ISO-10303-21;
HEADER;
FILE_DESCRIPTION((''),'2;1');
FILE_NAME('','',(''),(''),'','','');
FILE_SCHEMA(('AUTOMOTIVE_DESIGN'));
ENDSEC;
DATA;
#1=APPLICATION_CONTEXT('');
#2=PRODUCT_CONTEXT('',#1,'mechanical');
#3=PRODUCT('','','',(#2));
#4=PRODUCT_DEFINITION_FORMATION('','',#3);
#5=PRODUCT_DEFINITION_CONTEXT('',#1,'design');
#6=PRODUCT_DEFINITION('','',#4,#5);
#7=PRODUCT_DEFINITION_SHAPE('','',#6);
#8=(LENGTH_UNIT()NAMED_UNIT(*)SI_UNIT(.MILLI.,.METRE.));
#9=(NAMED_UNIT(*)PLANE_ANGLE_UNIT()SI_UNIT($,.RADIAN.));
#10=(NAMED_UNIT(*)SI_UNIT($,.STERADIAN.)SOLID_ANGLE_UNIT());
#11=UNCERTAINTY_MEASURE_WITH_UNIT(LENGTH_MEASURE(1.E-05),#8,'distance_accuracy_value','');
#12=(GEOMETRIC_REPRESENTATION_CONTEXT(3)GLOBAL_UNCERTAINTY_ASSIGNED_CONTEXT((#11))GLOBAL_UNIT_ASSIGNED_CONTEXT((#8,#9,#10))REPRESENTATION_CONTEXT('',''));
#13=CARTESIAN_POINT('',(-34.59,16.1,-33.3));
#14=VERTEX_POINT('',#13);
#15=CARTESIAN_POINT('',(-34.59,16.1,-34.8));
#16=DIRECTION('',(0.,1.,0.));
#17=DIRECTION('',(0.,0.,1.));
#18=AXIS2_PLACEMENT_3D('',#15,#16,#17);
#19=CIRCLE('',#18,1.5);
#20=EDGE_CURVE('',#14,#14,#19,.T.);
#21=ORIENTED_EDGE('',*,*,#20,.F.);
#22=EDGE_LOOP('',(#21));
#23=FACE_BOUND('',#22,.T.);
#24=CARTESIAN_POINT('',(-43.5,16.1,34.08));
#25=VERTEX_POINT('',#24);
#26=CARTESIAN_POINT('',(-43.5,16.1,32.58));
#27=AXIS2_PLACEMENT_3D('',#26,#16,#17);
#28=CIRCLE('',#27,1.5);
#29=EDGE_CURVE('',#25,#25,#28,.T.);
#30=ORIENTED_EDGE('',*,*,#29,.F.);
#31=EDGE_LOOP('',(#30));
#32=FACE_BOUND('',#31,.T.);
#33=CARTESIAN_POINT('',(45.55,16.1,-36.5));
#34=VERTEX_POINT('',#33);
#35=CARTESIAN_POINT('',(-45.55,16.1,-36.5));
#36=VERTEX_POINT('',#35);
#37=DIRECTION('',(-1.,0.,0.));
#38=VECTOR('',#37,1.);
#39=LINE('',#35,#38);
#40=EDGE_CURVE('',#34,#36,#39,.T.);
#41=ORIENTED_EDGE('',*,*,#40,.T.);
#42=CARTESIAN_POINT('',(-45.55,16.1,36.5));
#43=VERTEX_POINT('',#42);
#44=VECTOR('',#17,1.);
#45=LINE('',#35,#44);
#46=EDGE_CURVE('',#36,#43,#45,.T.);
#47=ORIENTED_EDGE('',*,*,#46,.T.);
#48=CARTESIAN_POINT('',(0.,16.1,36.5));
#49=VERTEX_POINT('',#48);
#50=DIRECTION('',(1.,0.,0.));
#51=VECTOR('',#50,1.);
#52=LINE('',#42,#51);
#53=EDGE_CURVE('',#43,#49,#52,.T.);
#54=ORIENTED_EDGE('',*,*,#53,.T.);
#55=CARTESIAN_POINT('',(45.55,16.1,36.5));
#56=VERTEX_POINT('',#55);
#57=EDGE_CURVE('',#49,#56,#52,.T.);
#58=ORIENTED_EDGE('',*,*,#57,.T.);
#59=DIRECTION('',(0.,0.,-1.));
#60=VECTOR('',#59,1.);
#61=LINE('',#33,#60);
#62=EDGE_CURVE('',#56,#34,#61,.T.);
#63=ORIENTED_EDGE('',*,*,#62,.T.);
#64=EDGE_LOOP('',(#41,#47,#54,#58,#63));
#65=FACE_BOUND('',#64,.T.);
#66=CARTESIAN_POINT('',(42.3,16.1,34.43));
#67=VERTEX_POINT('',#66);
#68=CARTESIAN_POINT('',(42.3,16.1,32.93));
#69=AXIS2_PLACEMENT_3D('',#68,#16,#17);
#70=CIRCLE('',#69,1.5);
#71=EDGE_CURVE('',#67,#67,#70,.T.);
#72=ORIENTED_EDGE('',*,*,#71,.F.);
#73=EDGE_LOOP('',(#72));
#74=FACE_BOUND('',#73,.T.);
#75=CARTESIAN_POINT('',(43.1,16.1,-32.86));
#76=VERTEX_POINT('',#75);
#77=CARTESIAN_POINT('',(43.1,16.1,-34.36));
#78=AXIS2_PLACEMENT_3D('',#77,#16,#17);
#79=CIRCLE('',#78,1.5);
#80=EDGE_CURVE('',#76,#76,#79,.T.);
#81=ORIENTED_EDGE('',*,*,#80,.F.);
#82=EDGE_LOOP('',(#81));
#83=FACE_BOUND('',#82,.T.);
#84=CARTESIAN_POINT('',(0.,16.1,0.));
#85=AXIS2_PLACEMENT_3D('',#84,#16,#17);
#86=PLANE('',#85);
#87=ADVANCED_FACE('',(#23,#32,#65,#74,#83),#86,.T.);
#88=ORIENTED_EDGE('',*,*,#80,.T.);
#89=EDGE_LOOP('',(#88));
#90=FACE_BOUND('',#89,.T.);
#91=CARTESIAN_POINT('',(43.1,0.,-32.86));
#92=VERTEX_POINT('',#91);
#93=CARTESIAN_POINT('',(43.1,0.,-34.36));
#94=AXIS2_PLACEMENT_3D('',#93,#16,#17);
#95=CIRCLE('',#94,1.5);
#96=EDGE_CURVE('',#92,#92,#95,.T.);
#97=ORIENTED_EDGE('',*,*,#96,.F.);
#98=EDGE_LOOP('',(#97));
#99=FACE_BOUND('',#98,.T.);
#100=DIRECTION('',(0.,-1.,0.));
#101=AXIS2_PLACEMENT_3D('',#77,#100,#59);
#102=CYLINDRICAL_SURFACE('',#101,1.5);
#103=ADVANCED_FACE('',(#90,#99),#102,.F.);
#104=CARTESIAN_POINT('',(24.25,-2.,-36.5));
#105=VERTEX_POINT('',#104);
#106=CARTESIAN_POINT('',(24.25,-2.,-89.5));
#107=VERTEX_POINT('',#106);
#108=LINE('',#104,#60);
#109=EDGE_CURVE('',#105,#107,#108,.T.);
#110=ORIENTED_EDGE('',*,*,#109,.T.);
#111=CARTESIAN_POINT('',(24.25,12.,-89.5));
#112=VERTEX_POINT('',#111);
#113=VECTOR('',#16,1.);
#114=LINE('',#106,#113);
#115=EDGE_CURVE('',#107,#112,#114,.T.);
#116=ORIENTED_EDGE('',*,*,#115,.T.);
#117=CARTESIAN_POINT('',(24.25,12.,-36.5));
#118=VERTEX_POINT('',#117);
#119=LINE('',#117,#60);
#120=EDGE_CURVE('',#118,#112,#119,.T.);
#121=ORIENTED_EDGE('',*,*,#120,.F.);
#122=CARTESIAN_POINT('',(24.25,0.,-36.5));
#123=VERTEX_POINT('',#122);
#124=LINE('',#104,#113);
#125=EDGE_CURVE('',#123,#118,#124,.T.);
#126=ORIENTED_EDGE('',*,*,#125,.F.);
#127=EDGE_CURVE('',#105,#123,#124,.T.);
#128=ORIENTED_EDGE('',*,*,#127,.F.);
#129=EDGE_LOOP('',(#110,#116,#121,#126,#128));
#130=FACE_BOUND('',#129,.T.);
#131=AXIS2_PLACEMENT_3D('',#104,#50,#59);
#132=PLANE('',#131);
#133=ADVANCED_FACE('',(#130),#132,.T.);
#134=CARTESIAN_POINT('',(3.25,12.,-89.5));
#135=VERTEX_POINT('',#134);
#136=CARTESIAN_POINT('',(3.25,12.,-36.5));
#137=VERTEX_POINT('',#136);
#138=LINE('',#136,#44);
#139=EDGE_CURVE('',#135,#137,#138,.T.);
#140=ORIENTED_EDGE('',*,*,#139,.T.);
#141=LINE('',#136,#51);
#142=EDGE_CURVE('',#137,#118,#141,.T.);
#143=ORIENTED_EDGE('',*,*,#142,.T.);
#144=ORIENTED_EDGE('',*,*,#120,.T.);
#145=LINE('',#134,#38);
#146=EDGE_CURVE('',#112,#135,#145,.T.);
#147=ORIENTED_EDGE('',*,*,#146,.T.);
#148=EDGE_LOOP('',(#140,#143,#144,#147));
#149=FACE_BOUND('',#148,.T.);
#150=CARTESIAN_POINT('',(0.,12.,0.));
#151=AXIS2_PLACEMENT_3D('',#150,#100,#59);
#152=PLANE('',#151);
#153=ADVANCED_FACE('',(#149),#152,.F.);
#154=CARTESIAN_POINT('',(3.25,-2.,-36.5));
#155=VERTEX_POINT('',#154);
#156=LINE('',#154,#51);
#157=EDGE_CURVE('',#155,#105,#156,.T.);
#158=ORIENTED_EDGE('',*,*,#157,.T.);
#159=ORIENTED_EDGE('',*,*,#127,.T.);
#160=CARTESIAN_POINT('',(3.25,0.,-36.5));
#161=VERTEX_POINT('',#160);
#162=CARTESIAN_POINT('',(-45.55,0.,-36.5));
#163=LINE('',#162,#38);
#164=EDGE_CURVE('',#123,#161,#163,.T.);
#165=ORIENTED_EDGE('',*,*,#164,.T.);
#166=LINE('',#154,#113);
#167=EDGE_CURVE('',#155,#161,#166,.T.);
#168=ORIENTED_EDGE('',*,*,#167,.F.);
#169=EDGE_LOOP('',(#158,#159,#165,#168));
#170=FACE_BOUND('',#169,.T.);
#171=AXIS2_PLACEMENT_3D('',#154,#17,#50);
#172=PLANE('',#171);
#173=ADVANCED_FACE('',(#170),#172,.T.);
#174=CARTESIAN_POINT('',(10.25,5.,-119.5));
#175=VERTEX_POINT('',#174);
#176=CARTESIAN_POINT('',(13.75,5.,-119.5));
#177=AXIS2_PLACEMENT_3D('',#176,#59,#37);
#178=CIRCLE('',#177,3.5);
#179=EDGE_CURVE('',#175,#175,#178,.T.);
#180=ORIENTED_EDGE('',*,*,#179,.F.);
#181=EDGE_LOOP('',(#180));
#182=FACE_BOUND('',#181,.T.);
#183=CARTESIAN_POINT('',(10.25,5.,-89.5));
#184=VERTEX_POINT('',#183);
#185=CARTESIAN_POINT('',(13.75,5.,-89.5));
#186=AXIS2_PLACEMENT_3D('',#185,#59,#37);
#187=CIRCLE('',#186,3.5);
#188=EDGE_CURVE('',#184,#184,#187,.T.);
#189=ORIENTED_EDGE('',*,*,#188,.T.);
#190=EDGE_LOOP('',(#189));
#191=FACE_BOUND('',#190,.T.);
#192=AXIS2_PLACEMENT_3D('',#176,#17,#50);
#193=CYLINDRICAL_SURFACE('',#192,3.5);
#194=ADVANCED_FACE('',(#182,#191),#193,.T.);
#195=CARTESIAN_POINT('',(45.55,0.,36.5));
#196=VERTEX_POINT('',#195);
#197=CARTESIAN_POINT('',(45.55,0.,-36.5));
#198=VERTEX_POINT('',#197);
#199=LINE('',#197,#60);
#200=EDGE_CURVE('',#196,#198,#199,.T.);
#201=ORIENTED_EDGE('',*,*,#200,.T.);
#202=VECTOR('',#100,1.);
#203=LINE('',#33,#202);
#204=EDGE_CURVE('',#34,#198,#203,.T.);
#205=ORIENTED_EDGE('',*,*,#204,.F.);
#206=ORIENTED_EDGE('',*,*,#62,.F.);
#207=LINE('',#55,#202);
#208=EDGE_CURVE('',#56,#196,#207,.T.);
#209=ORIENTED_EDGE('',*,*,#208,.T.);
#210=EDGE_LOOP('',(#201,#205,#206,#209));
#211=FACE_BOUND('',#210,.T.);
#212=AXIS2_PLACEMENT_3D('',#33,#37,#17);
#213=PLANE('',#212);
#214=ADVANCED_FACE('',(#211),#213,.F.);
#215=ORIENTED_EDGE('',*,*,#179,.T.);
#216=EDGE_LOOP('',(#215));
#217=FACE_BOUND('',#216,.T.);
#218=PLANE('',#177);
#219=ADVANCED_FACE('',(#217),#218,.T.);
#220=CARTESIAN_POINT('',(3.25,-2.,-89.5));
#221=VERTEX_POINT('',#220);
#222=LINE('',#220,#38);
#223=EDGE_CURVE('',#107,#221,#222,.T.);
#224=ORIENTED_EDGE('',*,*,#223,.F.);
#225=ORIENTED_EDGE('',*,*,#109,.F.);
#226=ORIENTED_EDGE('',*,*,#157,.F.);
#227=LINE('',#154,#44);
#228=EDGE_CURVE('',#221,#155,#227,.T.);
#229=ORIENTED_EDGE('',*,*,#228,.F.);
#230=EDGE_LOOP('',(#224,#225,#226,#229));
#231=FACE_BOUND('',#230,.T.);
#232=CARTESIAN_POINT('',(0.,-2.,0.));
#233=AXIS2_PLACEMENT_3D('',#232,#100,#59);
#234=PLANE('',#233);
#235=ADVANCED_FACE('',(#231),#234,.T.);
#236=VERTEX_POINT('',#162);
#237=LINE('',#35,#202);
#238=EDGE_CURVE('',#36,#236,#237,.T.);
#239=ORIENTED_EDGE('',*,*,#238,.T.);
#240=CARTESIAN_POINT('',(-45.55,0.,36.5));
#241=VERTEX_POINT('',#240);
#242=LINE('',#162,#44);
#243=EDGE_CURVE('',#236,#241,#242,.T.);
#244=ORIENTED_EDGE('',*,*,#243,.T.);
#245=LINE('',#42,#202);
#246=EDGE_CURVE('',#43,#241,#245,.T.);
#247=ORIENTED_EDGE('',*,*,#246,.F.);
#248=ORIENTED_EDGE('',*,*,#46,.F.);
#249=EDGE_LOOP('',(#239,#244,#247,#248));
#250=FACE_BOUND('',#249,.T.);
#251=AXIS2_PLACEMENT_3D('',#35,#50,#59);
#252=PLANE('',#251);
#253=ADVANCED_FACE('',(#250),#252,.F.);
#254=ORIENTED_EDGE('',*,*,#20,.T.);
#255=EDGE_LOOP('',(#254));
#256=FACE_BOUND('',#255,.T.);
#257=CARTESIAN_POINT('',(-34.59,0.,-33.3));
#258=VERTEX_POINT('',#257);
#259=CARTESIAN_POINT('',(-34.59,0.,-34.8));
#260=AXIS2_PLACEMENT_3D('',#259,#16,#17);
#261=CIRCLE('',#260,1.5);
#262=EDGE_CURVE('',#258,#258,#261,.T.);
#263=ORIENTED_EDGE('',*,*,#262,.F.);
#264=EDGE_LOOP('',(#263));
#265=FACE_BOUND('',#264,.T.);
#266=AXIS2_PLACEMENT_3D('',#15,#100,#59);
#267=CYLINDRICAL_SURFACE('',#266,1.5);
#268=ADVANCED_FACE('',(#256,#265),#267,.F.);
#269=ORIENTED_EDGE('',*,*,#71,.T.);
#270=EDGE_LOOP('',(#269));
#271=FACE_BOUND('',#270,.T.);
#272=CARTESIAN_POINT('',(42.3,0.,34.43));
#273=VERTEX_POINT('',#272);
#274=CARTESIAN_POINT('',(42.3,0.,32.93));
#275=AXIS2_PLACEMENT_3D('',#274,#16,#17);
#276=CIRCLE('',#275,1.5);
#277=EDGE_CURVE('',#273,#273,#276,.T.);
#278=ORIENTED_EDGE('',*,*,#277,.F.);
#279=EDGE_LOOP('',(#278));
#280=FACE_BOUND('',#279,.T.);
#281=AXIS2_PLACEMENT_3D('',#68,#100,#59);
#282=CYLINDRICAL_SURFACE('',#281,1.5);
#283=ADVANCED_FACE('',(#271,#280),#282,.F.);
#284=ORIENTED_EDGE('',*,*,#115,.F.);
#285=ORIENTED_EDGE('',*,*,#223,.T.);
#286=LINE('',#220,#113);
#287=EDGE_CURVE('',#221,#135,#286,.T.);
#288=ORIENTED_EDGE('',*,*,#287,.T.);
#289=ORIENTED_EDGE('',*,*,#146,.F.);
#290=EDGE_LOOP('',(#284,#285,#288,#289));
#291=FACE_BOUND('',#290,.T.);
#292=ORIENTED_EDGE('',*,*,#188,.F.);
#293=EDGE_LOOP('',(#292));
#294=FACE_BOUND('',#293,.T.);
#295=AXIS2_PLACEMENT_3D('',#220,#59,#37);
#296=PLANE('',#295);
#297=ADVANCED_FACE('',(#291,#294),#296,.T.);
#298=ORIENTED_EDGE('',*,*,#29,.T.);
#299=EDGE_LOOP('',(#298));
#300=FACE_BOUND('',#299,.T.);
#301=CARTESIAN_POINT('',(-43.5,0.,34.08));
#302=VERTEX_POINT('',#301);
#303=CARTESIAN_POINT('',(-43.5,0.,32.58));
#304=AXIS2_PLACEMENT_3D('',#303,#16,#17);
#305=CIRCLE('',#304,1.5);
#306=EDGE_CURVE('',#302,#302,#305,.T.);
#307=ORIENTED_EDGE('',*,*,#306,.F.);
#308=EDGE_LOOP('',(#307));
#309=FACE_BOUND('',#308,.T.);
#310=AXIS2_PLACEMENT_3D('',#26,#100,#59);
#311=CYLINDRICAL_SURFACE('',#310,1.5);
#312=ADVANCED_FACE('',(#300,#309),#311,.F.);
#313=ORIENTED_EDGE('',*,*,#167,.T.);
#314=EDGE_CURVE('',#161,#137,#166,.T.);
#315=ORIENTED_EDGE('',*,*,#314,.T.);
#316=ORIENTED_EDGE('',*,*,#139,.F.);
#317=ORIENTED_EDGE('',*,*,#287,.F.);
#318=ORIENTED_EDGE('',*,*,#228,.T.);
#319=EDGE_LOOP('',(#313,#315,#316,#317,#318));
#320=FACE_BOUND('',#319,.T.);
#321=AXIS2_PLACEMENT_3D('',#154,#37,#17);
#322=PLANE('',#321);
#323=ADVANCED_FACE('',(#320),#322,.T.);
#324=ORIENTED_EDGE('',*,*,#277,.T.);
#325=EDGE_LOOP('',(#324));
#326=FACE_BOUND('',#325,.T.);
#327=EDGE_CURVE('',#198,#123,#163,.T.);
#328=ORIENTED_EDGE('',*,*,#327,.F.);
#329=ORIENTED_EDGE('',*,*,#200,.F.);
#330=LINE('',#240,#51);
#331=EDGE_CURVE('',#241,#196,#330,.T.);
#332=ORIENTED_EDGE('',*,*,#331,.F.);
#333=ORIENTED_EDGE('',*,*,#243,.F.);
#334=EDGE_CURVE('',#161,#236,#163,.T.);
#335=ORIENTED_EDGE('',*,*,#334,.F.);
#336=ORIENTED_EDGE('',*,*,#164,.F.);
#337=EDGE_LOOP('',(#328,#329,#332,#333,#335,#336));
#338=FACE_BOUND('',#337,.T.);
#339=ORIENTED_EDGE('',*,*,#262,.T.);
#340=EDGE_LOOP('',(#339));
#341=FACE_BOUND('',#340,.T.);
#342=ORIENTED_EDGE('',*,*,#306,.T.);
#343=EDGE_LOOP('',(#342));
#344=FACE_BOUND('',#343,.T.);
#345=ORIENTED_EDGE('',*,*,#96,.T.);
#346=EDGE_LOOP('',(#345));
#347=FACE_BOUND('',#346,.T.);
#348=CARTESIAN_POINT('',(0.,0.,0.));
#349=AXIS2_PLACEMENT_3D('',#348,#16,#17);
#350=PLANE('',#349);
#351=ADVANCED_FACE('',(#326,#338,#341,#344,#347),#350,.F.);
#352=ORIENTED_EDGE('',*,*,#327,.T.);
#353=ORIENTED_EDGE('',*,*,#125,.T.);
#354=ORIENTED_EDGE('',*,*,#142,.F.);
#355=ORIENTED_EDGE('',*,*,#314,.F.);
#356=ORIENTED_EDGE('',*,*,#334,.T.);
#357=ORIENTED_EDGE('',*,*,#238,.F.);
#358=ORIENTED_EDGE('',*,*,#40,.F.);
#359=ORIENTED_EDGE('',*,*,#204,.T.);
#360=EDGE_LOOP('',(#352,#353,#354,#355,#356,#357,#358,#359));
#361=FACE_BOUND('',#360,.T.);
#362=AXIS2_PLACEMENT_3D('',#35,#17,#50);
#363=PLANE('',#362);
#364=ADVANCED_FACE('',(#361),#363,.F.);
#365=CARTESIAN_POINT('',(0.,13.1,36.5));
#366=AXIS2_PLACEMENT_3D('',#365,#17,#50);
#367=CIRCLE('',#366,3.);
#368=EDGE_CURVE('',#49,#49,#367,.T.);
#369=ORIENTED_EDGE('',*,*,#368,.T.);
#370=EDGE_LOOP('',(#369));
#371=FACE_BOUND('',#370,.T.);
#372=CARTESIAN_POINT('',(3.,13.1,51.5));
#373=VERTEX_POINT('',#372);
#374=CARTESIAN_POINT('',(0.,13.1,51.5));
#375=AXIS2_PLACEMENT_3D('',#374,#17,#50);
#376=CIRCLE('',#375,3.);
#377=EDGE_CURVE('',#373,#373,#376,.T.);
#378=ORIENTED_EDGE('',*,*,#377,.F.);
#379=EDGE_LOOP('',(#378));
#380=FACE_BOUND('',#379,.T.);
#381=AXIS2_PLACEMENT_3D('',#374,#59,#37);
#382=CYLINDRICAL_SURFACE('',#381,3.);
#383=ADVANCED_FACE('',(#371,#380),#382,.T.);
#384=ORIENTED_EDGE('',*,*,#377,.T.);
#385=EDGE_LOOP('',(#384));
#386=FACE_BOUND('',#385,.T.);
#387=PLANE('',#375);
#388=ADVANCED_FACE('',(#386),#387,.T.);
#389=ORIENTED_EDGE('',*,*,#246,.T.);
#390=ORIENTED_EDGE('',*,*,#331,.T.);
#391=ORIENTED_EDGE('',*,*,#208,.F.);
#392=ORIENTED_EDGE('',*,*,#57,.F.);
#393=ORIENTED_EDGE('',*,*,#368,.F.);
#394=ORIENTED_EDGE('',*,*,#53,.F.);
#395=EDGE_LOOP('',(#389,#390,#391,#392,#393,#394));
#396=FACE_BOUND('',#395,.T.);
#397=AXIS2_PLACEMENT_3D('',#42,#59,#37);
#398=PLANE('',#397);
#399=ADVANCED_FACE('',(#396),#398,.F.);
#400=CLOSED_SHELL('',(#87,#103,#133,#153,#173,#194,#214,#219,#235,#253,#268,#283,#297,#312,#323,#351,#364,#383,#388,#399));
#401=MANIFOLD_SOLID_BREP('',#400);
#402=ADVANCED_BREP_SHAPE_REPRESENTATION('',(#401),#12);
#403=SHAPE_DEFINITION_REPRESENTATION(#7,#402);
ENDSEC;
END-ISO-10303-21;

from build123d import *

# Parameters (mm, degrees)
SKETCH1_W                = 91.1
SKETCH1_H                = 73
SKETCH1_R                = 1.5
BOSS_EXTRUDE1_DEPTH      = 16.1
SKETCH2_R                = 3
BOSS_EXTRUDE2_DEPTH      = 15
BOSS_EXTRUDE3_DEPTH      = 12
BOSS_EXTRUDE3_DEPTH_BACK = 2
SKETCH3_W                = 21
SKETCH3_H                = 53
SKETCH4_R                = 3.5
BOSS_EXTRUDE4_DEPTH      = 30


with BuildPart() as part:
    # Sketch1 → Boss-Extrude1 (new body)
    with BuildSketch(Plane(origin=(0, 0, 0), x_dir=(1, 0, 0), z_dir=(0, 1, 0))):
        Rectangle(SKETCH1_W, SKETCH1_H)
        with Locations(Location((-34.59, 34.8, 0), (0, 0, 270))):
            Circle(SKETCH1_R, mode=Mode.SUBTRACT)
        with Locations(Location((43.1, 34.36, 0), (0, 0, 270))):
            Circle(SKETCH1_R, mode=Mode.SUBTRACT)
        with Locations(Location((42.3, -32.93, 0), (0, 0, 270))):
            Circle(SKETCH1_R, mode=Mode.SUBTRACT)
        with Locations(Location((-43.5, -32.58, 0), (0, 0, 270))):
            Circle(SKETCH1_R, mode=Mode.SUBTRACT)
    extrude(amount=BOSS_EXTRUDE1_DEPTH)

    # Sketch2 → Boss-Extrude2 (add)
    with BuildSketch(Plane.XY.offset(36.5)):
        with Locations(Location((0, 13.1, 0), (0, 0, 90))):
            Circle(SKETCH2_R)
    extrude(amount=BOSS_EXTRUDE2_DEPTH)

    # Sketch3 → Boss-Extrude3 (add, two sides: drawn at the far end of the back side and taken through both)
    with BuildSketch(Plane(origin=(0, 0, 0), x_dir=(1, 0, 0), z_dir=(0, 1, 0)).offset(-BOSS_EXTRUDE3_DEPTH_BACK)):
        with Locations((13.75, 63)):
            Rectangle(SKETCH3_W, SKETCH3_H)
    extrude(amount=BOSS_EXTRUDE3_DEPTH + BOSS_EXTRUDE3_DEPTH_BACK)

    # Sketch4 → Boss-Extrude4 (add)
    with BuildSketch(Plane(origin=(0, 0, -89.5), x_dir=(-1, 0, 0), z_dir=(0, 0, -1))):
        with Locations((-13.75, 5)):
            Circle(SKETCH4_R)
    extrude(amount=BOSS_EXTRUDE4_DEPTH)


solid = part.part
